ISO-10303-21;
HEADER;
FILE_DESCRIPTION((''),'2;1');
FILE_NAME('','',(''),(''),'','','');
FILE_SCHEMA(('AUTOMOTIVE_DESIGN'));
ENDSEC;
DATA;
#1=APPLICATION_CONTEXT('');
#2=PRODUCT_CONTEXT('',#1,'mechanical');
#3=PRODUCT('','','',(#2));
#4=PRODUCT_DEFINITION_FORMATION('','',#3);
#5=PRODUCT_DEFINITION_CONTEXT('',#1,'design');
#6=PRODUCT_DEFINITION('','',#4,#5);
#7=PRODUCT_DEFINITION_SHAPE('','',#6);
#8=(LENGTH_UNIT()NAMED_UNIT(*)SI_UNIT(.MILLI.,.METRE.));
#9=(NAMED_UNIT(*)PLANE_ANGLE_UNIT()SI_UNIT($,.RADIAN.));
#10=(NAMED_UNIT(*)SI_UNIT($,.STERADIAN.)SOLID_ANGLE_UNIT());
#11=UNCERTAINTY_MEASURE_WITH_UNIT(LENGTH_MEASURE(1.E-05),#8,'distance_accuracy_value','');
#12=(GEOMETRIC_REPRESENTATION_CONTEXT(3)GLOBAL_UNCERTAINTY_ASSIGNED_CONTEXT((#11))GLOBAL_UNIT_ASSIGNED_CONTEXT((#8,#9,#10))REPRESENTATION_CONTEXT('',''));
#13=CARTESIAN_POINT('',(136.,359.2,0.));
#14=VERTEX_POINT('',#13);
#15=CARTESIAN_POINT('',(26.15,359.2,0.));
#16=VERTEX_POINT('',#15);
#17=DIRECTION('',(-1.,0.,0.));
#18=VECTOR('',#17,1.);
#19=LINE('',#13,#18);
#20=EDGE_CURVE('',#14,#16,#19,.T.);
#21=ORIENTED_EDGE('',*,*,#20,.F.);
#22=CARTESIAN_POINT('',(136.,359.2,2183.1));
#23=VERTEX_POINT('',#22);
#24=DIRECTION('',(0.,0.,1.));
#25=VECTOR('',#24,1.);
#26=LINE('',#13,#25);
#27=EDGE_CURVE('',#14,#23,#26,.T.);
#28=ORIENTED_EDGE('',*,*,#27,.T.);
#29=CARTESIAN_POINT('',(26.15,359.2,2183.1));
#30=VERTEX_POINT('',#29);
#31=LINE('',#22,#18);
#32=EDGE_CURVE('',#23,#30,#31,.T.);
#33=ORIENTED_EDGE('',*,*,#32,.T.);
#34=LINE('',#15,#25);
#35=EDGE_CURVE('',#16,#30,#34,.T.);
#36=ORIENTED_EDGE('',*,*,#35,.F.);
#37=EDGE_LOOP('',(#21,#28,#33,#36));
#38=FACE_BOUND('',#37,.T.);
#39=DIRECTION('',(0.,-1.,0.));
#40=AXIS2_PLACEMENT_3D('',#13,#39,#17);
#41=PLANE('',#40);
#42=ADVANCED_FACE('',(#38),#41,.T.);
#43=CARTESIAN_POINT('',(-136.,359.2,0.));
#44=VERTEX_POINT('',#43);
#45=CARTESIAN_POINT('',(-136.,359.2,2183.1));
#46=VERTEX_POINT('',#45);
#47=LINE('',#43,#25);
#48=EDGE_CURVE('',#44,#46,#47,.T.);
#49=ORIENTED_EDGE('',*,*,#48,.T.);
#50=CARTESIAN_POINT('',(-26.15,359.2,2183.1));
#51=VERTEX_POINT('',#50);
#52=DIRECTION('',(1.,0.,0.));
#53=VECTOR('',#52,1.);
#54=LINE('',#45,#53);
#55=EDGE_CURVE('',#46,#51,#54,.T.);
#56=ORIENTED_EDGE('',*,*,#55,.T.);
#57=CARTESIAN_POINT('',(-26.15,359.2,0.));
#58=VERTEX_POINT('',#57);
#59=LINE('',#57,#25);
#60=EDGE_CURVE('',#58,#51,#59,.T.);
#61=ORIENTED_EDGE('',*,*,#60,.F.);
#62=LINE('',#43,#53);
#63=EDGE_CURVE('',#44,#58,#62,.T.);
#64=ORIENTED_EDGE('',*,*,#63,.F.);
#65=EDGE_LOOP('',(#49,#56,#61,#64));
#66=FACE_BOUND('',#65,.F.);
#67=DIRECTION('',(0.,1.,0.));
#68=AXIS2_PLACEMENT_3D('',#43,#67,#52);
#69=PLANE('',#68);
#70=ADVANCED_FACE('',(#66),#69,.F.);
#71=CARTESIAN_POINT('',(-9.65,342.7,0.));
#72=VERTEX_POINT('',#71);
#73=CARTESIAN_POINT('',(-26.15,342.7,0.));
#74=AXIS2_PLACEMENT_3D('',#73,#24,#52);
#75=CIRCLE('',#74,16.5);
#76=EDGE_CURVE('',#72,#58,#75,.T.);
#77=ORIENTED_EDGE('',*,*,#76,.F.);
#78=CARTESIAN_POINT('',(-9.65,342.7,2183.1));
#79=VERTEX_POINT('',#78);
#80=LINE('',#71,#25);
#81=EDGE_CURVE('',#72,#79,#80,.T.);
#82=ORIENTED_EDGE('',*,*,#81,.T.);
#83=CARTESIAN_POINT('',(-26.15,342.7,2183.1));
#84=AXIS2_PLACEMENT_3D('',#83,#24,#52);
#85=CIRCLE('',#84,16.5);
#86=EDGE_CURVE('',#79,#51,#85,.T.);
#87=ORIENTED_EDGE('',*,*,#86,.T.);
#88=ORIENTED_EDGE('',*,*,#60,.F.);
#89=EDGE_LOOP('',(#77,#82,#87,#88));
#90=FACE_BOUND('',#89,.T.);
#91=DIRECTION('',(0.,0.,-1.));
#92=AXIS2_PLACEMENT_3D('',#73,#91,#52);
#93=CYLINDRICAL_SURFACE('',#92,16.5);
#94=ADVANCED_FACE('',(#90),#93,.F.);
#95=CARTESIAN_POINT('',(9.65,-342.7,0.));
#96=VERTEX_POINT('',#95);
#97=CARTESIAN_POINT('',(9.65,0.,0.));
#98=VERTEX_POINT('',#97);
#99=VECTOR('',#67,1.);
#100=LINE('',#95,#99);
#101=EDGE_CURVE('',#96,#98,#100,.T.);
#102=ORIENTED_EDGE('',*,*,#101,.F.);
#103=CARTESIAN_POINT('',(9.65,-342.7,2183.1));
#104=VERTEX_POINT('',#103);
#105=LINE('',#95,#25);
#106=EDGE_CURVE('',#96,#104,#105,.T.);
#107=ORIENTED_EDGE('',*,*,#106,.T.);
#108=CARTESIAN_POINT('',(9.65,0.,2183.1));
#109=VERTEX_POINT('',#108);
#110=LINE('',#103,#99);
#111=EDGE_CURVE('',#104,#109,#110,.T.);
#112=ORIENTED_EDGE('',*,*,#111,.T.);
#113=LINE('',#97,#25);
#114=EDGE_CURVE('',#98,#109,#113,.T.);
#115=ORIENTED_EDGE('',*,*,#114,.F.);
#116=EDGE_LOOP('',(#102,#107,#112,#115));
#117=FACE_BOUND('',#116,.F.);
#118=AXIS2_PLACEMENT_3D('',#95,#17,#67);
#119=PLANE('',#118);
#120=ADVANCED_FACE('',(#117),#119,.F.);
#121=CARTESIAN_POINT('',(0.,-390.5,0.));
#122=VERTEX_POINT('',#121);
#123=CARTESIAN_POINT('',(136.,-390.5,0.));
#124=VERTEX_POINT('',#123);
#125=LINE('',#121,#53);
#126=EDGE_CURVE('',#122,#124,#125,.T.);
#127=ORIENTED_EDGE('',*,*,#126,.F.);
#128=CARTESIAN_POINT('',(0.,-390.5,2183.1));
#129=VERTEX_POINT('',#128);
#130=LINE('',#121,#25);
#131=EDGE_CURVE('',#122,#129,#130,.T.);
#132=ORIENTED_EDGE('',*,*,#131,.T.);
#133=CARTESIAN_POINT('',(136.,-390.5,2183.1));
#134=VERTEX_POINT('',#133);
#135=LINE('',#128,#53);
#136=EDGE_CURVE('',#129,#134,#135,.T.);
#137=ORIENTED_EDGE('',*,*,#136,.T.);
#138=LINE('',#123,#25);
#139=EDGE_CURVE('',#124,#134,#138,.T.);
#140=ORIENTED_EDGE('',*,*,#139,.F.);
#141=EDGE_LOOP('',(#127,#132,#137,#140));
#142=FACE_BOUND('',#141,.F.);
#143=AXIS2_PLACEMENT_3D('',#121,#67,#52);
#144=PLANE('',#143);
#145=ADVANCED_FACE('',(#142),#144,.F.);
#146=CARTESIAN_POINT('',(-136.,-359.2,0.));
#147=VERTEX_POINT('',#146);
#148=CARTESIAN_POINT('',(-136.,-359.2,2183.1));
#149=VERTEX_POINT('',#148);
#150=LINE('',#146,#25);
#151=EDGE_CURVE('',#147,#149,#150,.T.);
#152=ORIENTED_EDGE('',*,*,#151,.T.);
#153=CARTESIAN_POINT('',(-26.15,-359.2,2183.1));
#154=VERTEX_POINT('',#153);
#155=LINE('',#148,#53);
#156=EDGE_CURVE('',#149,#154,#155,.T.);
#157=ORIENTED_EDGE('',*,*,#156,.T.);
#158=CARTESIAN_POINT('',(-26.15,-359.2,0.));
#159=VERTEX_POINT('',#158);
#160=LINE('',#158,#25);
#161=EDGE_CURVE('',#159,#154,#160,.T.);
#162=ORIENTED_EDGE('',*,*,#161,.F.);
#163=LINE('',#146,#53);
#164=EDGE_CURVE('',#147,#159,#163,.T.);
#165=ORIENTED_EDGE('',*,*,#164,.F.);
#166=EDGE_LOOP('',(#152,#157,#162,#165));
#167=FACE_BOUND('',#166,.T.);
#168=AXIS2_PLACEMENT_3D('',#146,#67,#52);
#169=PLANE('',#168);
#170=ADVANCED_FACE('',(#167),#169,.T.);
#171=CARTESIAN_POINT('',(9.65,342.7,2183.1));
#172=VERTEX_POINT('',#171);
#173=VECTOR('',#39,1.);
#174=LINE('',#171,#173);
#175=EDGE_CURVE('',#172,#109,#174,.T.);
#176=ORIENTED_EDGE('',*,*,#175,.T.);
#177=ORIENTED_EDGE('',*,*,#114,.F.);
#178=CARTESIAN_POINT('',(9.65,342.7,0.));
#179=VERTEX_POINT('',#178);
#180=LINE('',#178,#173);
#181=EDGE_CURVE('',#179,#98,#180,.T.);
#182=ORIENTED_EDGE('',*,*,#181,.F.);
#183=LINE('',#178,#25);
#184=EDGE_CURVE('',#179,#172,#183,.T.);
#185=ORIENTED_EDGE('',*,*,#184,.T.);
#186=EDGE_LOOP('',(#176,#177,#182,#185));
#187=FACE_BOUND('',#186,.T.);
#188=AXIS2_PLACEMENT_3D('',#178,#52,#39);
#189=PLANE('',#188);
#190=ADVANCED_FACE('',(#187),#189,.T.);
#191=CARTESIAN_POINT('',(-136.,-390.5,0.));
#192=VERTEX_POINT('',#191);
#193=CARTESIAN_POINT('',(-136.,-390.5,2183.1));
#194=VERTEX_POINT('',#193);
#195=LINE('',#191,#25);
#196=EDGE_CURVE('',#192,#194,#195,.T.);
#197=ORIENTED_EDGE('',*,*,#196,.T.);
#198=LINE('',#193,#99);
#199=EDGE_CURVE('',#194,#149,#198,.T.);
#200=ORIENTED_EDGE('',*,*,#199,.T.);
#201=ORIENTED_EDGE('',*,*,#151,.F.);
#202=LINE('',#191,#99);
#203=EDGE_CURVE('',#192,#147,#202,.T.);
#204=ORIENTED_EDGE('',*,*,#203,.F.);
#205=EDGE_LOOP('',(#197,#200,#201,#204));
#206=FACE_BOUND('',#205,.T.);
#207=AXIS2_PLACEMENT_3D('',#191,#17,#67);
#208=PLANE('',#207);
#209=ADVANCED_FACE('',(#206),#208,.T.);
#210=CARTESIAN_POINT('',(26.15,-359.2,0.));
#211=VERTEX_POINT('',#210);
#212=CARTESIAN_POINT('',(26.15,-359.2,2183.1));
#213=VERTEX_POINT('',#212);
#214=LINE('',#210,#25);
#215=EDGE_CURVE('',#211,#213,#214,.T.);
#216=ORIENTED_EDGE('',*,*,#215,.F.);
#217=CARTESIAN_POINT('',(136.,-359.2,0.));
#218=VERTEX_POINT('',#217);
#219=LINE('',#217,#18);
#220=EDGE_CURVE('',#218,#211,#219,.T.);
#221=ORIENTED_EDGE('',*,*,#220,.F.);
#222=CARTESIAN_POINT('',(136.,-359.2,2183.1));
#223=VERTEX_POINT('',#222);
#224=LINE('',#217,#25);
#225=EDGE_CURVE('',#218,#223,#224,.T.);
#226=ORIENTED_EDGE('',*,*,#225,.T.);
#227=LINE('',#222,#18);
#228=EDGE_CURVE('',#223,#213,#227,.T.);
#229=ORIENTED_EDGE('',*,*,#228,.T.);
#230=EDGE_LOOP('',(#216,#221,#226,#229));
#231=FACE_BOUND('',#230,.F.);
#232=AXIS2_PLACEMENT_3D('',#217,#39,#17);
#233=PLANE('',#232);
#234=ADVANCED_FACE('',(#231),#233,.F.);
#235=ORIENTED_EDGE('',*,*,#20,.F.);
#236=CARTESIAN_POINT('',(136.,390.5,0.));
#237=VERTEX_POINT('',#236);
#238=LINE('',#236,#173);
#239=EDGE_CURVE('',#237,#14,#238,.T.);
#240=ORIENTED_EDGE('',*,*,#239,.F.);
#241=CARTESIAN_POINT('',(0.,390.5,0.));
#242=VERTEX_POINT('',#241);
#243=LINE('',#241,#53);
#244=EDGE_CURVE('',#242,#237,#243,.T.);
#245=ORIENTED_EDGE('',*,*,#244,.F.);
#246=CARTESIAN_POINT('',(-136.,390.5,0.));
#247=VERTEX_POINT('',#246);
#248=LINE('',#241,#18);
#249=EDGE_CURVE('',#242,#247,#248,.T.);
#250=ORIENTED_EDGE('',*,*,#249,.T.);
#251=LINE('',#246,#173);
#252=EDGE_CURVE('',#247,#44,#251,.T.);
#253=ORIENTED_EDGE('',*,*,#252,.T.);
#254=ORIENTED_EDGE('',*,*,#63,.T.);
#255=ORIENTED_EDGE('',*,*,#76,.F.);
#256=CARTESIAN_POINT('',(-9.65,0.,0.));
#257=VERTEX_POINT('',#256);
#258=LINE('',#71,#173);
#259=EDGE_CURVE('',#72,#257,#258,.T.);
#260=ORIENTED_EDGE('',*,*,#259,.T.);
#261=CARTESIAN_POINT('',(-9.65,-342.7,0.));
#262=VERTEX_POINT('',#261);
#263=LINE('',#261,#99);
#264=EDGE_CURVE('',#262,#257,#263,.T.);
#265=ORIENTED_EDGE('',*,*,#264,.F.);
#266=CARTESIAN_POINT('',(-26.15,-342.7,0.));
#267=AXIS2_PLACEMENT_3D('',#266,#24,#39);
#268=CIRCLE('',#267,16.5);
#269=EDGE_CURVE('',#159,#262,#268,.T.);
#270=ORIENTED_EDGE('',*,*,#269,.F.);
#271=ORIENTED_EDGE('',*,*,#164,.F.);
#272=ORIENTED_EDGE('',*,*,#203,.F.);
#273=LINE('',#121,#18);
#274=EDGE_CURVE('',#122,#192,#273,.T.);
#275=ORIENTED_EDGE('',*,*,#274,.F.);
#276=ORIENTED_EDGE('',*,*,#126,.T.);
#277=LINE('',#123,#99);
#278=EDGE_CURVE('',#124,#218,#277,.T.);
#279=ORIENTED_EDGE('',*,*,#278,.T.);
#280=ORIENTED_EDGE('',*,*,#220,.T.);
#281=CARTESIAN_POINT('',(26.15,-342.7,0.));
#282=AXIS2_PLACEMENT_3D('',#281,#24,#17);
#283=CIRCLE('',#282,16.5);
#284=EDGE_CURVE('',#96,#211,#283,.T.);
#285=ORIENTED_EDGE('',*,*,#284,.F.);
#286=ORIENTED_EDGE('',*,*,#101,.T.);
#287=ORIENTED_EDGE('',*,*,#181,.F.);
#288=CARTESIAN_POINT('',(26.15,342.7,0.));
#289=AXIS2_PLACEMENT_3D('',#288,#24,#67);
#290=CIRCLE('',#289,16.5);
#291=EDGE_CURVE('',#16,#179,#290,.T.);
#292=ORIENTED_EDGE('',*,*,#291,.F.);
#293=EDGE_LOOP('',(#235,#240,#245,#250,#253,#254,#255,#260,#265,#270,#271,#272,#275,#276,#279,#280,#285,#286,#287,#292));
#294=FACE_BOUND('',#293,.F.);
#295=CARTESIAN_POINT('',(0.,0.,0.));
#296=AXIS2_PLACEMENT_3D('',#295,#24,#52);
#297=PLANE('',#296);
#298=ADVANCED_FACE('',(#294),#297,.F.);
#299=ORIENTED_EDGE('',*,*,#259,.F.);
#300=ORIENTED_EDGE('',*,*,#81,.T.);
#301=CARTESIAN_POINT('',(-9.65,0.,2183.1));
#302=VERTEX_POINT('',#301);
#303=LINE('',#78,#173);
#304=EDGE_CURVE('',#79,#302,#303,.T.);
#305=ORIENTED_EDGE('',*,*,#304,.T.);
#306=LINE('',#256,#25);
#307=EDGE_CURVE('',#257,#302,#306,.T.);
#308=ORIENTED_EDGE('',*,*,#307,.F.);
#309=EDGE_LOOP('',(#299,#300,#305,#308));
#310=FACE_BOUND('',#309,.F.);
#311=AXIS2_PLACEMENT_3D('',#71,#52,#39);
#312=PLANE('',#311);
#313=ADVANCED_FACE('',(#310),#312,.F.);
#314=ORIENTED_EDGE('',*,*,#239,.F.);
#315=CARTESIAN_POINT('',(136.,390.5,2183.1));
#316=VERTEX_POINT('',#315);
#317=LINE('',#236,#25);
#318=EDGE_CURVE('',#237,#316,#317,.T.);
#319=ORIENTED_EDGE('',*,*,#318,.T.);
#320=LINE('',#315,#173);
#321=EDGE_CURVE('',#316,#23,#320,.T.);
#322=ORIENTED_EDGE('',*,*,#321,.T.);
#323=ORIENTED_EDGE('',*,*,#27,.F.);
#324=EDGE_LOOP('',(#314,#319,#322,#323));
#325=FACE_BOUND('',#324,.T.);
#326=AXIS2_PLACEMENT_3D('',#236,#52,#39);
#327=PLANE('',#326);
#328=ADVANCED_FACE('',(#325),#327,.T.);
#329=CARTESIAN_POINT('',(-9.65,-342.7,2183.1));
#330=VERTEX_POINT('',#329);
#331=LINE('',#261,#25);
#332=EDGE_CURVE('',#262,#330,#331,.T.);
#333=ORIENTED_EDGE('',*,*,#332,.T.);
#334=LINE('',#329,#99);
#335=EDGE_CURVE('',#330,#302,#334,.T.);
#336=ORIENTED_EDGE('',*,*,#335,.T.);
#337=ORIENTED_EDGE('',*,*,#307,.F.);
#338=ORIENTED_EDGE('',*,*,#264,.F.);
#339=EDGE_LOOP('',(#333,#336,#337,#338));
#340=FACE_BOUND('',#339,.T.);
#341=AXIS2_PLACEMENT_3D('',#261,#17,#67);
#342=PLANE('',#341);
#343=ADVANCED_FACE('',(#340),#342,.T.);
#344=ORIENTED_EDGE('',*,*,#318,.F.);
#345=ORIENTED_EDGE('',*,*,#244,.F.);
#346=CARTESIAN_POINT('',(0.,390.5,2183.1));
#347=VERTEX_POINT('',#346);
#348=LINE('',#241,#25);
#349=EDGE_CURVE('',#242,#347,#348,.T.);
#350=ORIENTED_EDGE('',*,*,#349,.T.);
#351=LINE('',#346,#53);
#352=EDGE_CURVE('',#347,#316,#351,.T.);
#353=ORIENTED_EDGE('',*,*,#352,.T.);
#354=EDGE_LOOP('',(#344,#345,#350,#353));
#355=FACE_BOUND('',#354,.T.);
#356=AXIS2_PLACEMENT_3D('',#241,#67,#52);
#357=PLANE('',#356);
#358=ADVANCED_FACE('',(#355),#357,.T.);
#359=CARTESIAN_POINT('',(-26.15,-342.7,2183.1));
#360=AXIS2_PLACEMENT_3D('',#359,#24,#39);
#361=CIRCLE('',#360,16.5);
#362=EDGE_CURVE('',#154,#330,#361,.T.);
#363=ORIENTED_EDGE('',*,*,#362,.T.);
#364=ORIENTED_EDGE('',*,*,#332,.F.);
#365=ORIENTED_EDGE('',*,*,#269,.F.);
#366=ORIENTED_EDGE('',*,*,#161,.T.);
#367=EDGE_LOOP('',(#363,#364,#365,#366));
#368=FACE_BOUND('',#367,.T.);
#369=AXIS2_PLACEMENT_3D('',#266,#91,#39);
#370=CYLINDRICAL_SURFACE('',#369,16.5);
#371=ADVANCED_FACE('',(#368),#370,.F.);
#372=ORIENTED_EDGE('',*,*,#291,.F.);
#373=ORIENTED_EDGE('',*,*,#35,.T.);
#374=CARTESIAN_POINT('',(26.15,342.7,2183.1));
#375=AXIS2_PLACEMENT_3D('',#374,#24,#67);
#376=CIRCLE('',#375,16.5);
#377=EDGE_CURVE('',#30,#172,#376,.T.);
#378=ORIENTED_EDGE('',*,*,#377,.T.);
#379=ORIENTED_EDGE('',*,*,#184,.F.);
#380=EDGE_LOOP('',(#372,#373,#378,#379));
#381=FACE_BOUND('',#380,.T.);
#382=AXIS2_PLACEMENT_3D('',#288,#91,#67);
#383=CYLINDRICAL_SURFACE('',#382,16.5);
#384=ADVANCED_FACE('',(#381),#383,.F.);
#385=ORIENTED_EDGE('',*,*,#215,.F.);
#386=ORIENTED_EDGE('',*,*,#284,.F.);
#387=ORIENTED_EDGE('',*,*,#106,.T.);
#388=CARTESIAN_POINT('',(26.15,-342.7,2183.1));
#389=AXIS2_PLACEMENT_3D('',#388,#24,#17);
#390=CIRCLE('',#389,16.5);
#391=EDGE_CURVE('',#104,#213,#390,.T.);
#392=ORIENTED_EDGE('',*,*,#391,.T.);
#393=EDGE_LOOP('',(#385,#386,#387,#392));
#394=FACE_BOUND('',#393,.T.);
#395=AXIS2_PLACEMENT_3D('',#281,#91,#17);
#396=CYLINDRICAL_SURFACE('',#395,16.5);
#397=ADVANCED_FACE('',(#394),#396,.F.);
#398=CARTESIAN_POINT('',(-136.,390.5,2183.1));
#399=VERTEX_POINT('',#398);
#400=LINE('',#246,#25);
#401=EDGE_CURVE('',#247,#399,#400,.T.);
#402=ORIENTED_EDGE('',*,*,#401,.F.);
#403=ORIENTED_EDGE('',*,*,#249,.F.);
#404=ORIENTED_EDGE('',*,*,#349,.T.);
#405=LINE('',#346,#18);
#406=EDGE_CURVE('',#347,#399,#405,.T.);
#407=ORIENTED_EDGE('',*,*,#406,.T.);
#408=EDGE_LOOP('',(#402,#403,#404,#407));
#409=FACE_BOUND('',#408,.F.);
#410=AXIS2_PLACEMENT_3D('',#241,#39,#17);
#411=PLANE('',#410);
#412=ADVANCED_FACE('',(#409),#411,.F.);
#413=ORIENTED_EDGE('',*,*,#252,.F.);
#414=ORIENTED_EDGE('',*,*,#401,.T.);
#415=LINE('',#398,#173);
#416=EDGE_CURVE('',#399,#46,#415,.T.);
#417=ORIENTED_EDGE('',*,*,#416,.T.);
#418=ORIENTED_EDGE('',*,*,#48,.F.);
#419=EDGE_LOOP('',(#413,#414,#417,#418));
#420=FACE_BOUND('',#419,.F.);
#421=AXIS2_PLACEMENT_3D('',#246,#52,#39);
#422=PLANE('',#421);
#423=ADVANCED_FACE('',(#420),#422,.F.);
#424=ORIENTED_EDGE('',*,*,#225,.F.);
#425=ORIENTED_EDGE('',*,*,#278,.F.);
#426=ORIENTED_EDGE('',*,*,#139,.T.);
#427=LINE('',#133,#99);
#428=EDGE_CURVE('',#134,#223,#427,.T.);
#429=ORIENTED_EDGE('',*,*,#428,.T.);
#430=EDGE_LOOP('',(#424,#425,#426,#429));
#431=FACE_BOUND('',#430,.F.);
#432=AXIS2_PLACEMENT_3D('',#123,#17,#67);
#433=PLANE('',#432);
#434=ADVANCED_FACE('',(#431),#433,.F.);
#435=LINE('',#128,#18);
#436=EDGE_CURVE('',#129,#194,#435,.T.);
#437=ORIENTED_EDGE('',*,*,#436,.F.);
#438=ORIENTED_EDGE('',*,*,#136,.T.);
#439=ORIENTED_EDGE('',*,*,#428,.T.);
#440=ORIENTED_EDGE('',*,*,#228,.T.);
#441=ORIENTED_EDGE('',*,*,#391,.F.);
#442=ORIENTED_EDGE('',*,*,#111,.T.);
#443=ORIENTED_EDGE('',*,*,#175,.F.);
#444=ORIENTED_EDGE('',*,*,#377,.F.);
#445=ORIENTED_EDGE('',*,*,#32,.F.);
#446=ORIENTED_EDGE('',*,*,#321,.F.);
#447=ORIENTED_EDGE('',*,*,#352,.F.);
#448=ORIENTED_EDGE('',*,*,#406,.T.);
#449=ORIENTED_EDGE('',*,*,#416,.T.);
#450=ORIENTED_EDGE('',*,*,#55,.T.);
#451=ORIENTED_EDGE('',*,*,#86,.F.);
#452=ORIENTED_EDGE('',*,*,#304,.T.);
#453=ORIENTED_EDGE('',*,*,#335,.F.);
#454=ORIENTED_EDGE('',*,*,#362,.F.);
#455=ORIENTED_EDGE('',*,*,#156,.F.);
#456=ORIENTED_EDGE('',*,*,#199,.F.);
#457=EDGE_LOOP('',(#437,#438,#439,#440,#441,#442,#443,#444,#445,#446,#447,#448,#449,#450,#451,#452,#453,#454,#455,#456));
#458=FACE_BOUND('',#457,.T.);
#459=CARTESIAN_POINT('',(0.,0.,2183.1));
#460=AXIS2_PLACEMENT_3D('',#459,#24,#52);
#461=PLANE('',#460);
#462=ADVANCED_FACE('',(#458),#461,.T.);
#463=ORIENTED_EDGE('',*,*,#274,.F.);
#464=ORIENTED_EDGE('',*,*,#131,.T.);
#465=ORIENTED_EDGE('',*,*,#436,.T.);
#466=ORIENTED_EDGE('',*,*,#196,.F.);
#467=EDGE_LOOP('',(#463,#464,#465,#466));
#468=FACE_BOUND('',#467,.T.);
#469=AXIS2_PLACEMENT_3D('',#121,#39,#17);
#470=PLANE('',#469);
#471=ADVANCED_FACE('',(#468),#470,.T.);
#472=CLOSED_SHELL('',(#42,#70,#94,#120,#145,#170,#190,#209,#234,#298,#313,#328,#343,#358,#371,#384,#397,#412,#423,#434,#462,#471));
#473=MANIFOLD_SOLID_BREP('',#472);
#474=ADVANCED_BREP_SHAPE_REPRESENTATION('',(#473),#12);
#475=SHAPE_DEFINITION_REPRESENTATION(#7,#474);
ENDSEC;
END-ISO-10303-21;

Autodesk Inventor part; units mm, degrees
ref_plane "YZ Plane" through (0, 0, 0) normal (1, 0, 0) x (0, 1, 0)
ref_plane "Start plane" through (0, 0, 0) normal (0, 0, 1) x (1, 0, 0)
ref_plane "End plane" through (0, 0, 2183.1) normal (0, 0, 1) x (1, 0, 0)
sketch "Sketch" plane through (0, 0, 0) normal (0, 0, 1) x (1, 0, 0)
  line L0 (-136, -390.5) -> (-136, -359.2)
  line L1 (-136, -359.2) -> (-26.15, -359.2)
  line L2 (-9.65, -342.7) -> (-9.65, 0)
  line L3 (-9.65, 0) -> (0, 0) construction
  line L4 (0, 0) -> (0, -390.5) construction
  line L5 (0, -390.5) -> (-136, -390.5)
  line L6 (-60, 0) -> (80, 0) construction
  line L7 (0, -60) -> (0, 80) construction
  line L8 (136, -390.5) -> (136, -359.2)
  line L9 (136, -359.2) -> (26.15, -359.2)
  line L10 (9.65, -342.7) -> (9.65, 0)
  line L11 (9.65, 0) -> (0, 0) construction
  line L12 (0, -390.5) -> (136, -390.5)
  line L13 (-136, 390.5) -> (-136, 359.2)
  line L14 (-136, 359.2) -> (-26.15, 359.2)
  line L15 (-9.65, 342.7) -> (-9.65, 0)
  line L16 (0, 390.5) -> (-136, 390.5)
  line L17 (136, 390.5) -> (136, 359.2)
  line L18 (136, 359.2) -> (26.15, 359.2)
  line L19 (0, 390.5) -> (136, 390.5)
  line L20 (9.65, 342.7) -> (9.65, 0)
  arc A0 (-9.65, 342.7) -> (-26.15, 359.2) centre (-26.15, 342.7) ccw
  arc A1 (26.15, 359.2) -> (9.65, 342.7) centre (26.15, 342.7) ccw
  arc A2 (9.65, -342.7) -> (26.15, -359.2) centre (26.15, -342.7) ccw
  arc A3 (-26.15, -359.2) -> (-9.65, -342.7) centre (-26.15, -342.7) ccw
  line L21 (0, 108) -> (0, -88) construction
  line L22 (-88, 0) -> (108, 0) construction
  point P0 (-9.65, -359.2)
  point P1 (9.65, -359.2)
  point P2 (-9.65, 359.2)
  point P3 (9.65, 359.2)
  dimension "d1" = 390.5
  dimension "d2" = 31.3
  dimension "d3" = 136
  dimension "d4" = 9.65
  dimension "d10" = 16.5
extrude "Body" add sketch "Sketch" along normal up to surface (2183.1 mm away) from surface at 0
sketch "Sketch4" plane through (0, 0, 0) normal (0, 0, 1) x (1, 0, 0)
  line L0 (0, 0) -> (10, 0)
ref_plane "Work Plane3" through (0, 0, 0) normal (0, -1, 0) x (1, 0, 0)
sketch "Sketch5" plane through (0, 0, 0) normal (0, -1, 0) x (1, 0, 0)
  line L0 (-2, 0) -> (12, 0) projected
  line L1 (-2, 2183.1) -> (12, 2183.1) projected
  dimension "d14" = 2183.1
equation "\"d1\" = 0.5 * G_H"
equation "\"d2\" = G_T1"
equation "\"d3\" = 0.5 * G_W"
equation "\"d4\" = 0.5 * G_T"
equation "\"d10\" = G_IR"
equation "\"d5\" = G_L"
equation "\"G_W\" = 272"
equation "\"G_H\" = 781"
equation "\"G_T\" = 19.3"
equation "\"G_T1\" = 31.3"
equation "\"G_IR\" = 16.5"
equation "\"G_L\" = d14"
equation "\"G_OFFSET_START\" = 0"
equation "\"G_OFFSET_END\" = 0"
equation "\"d12\" = G_OFFSET_END + B_L"
equation "\"B_L\" = 2183.1"
properties part number "AS 3679-1990 - 760 UB - 244 - 2183.1" material "Steel, Mild"
